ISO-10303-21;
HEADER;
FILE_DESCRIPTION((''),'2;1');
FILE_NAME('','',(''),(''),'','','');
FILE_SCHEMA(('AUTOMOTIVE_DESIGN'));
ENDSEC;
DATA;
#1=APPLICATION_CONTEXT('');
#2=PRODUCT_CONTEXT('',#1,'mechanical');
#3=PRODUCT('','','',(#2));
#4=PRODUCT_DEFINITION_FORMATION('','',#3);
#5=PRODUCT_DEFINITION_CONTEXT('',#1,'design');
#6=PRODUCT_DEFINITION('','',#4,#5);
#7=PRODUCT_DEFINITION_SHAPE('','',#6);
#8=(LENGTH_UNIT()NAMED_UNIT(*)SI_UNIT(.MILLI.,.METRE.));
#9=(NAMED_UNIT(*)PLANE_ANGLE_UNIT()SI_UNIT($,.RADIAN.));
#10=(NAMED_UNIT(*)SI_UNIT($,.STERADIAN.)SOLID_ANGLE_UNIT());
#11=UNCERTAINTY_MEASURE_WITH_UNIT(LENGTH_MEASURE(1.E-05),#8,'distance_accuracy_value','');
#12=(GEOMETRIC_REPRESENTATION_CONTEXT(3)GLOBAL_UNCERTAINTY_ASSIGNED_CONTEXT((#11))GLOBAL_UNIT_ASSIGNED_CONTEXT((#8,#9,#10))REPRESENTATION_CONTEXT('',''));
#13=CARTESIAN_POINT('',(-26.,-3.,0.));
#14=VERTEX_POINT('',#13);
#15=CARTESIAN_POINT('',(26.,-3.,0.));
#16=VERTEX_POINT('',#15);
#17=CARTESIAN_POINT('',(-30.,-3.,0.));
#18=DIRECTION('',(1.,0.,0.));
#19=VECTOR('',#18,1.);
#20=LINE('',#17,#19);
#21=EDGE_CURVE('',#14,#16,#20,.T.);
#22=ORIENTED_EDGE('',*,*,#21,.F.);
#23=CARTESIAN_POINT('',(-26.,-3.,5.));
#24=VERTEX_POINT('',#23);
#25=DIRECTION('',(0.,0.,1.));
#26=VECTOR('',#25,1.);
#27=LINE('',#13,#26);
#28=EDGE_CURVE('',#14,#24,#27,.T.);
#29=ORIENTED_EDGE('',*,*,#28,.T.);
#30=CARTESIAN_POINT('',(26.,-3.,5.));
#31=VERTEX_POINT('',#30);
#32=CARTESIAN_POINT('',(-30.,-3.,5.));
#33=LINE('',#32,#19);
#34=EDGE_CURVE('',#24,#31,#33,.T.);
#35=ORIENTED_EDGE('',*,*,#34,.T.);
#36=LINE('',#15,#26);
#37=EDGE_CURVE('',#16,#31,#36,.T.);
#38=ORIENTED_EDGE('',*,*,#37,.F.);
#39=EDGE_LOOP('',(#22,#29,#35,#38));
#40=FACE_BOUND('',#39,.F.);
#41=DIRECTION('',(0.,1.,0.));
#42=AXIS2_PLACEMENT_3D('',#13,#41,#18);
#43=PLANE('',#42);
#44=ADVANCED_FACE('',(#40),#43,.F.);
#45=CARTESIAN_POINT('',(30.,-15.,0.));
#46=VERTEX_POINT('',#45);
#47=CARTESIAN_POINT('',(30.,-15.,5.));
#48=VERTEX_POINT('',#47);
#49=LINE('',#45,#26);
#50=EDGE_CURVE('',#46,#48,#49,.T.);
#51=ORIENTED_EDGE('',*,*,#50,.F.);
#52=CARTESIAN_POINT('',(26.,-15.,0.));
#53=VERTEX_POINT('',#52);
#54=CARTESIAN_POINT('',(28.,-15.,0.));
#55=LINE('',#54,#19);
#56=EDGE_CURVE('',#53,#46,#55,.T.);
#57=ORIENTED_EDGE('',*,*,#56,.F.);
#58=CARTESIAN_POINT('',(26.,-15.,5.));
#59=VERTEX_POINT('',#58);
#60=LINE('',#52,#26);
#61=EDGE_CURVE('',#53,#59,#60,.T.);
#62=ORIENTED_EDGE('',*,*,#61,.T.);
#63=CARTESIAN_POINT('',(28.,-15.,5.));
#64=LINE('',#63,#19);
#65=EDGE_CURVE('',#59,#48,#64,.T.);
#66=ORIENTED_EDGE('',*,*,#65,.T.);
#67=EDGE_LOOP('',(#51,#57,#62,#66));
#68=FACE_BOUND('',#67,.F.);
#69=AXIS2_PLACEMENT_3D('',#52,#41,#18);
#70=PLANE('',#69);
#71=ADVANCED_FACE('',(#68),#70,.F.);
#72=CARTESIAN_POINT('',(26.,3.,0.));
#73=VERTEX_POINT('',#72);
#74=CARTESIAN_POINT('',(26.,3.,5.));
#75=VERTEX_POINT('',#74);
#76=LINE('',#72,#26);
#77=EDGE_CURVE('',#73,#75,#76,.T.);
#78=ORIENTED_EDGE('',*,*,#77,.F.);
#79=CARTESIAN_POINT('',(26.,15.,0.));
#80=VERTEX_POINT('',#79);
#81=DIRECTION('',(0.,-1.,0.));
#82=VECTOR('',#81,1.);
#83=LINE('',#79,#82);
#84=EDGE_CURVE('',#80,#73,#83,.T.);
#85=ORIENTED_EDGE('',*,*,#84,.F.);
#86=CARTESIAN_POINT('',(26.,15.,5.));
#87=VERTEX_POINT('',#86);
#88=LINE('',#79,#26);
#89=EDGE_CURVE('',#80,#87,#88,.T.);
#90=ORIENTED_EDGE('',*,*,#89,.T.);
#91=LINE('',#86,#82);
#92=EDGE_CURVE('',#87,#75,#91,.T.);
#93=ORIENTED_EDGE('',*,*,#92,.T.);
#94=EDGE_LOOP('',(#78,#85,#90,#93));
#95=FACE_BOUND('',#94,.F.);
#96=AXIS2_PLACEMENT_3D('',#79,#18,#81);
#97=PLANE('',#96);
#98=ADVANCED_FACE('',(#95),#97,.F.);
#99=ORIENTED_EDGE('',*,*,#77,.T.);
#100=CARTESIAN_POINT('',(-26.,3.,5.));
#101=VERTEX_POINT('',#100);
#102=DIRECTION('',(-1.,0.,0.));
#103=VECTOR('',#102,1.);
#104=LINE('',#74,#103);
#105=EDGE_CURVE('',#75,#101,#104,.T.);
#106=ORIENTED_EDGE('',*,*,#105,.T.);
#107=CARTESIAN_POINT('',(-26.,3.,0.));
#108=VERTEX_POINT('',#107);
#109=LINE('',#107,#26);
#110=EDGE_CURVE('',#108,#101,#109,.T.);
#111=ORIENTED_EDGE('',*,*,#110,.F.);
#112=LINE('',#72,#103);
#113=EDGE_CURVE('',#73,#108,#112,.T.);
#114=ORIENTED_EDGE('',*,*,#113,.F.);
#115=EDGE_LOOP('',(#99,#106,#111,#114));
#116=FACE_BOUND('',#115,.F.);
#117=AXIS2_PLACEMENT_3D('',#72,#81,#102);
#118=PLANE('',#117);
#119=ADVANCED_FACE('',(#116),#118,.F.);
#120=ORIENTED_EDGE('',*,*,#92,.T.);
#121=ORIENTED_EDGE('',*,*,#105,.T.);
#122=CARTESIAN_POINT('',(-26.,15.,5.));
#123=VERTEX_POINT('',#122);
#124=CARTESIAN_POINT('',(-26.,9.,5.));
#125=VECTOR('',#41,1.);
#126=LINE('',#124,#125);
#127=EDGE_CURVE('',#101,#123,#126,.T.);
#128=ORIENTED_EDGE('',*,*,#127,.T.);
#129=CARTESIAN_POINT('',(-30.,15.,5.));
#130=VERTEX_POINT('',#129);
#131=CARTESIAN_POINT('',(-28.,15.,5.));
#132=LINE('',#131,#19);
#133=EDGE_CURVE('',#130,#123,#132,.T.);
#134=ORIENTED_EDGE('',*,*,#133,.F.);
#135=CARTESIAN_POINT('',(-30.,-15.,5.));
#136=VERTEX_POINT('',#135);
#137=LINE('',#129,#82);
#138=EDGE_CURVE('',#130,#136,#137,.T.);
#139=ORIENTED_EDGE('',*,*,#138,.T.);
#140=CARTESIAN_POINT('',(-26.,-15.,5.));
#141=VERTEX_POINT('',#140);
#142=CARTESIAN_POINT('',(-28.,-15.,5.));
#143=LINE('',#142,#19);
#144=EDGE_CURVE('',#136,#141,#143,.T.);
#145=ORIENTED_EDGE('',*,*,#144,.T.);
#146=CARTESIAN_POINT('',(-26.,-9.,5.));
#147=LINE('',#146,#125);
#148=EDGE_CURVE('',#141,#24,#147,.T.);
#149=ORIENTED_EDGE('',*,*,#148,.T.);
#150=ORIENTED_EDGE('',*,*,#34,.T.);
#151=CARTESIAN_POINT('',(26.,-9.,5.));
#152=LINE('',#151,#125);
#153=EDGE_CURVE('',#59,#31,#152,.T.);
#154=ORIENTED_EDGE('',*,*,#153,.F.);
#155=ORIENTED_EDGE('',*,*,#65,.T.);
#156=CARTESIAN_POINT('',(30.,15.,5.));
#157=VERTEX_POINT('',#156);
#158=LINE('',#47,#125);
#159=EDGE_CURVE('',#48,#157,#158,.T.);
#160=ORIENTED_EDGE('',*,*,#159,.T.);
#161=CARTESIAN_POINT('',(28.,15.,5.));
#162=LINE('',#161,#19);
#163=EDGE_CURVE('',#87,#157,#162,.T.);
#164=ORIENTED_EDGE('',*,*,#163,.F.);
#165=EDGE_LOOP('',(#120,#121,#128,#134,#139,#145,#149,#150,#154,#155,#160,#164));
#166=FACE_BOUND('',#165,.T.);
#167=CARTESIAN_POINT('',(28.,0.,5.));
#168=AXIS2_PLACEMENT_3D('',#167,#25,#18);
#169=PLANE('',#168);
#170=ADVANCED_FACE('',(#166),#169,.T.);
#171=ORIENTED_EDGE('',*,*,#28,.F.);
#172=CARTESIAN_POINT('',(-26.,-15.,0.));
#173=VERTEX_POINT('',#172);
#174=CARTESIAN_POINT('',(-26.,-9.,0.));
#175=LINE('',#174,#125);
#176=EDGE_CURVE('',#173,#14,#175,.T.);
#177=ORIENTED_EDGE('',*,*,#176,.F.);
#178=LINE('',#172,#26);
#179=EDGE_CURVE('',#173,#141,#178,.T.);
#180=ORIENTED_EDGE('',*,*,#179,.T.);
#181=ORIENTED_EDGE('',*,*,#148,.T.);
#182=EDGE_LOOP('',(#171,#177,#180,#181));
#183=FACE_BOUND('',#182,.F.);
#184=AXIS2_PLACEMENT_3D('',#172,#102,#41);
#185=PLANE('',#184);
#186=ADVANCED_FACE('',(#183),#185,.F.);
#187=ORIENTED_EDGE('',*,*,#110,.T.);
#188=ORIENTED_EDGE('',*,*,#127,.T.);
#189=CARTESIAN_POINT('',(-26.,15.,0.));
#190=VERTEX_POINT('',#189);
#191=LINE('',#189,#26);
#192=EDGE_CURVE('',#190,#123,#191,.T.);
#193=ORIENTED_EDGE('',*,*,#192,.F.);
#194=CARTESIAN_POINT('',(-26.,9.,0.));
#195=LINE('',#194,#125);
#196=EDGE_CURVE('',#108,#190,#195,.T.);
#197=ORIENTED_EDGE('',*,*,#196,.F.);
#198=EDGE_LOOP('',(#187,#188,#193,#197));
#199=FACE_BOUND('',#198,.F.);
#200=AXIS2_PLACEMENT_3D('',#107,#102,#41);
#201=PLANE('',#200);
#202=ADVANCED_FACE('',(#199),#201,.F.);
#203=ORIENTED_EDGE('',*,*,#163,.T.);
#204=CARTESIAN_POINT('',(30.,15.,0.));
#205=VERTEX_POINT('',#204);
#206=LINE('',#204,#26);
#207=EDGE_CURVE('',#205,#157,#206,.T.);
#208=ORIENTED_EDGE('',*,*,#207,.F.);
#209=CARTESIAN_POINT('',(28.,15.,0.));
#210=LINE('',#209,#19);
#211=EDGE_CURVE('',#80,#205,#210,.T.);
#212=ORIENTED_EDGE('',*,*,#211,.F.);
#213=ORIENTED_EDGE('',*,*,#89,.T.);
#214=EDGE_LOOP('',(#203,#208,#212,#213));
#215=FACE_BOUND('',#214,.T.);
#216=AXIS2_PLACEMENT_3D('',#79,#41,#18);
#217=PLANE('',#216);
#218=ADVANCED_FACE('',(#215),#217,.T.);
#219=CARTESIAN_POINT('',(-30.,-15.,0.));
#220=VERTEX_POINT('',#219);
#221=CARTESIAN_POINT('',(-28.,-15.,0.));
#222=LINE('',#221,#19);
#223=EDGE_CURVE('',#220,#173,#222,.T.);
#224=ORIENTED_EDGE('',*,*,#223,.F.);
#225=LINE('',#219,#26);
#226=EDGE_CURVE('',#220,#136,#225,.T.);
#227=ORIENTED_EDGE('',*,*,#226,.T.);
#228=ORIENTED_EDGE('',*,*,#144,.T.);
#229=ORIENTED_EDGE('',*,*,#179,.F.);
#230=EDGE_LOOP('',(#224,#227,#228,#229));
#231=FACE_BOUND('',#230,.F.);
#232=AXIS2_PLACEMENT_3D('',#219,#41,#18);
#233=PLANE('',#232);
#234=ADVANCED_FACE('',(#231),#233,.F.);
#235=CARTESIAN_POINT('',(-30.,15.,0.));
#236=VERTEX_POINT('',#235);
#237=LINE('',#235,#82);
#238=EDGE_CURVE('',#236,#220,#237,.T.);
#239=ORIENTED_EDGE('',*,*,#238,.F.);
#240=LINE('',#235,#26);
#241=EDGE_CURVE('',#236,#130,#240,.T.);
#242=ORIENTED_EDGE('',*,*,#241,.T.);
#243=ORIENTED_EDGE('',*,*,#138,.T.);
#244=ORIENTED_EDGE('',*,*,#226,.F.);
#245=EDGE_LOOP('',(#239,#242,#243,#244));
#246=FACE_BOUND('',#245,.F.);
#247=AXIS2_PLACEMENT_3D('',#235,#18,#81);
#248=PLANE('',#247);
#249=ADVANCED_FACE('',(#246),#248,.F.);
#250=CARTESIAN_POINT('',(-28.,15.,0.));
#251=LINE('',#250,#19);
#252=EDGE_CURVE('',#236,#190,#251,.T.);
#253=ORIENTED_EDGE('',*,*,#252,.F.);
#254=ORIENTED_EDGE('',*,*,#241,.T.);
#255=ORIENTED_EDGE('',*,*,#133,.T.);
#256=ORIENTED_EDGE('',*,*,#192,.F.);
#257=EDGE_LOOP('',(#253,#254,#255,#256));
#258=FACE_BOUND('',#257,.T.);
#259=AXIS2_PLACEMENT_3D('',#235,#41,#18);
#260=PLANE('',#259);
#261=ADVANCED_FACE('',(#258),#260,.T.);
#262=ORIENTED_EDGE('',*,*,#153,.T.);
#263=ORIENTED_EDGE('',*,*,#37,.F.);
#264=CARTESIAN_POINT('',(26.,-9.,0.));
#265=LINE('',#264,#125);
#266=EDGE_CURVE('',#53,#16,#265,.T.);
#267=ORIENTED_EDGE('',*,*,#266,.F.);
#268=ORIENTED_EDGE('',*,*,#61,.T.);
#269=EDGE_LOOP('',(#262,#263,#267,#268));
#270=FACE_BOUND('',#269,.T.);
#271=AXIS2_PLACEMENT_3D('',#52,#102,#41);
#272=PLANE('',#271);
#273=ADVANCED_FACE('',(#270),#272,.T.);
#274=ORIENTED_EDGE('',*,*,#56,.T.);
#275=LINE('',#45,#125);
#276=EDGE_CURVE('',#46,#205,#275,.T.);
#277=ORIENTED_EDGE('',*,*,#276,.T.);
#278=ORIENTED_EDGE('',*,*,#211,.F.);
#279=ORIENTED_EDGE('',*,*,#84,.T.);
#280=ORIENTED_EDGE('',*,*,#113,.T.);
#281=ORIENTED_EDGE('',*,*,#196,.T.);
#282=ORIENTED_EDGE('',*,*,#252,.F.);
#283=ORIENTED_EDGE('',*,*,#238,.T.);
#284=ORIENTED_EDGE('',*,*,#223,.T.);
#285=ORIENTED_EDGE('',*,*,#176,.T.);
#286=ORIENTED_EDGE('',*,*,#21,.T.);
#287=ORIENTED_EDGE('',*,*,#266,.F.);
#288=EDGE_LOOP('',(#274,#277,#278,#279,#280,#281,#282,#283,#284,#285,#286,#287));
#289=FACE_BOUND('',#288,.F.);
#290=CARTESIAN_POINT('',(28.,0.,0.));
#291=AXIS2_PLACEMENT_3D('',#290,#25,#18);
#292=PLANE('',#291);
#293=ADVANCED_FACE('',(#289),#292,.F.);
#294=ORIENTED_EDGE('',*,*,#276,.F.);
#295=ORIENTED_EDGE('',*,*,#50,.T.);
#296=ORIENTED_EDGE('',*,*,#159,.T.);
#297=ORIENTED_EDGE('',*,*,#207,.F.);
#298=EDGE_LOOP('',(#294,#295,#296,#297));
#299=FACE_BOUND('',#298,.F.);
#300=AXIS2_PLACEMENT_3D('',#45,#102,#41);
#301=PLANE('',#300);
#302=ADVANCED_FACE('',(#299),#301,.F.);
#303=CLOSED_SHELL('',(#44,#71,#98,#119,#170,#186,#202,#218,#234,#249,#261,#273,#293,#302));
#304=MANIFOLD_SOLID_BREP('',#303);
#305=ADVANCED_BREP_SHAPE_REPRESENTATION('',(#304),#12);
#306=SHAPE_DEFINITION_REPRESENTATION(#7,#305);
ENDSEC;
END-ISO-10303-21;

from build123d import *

# Parameters (mm, degrees)
F0_W     = 4
F0_H     = 6
F0_H_2   = 12
F0_W_2   = 52
F1_DEPTH = 5


with BuildPart() as f1:
    # F0 (on Top) → F1 (new body)
    with BuildSketch(Plane.XY):
        with Locations((28, 0)):
            Rectangle(F0_W, F0_H)
        with Locations((28, 9)):
            Rectangle(F0_W, F0_H_2)
        Rectangle(F0_W_2, F0_H)
        with Locations((28, -9)):
            Rectangle(F0_W, F0_H_2)
        with Locations((-28, 0)):
            Rectangle(F0_W, F0_H)
        with Locations((-28, 9)):
            Rectangle(F0_W, F0_H_2)
        with Locations((-28, -9)):
            Rectangle(F0_W, F0_H_2)
    extrude(amount=F1_DEPTH)


solid = f1.part
